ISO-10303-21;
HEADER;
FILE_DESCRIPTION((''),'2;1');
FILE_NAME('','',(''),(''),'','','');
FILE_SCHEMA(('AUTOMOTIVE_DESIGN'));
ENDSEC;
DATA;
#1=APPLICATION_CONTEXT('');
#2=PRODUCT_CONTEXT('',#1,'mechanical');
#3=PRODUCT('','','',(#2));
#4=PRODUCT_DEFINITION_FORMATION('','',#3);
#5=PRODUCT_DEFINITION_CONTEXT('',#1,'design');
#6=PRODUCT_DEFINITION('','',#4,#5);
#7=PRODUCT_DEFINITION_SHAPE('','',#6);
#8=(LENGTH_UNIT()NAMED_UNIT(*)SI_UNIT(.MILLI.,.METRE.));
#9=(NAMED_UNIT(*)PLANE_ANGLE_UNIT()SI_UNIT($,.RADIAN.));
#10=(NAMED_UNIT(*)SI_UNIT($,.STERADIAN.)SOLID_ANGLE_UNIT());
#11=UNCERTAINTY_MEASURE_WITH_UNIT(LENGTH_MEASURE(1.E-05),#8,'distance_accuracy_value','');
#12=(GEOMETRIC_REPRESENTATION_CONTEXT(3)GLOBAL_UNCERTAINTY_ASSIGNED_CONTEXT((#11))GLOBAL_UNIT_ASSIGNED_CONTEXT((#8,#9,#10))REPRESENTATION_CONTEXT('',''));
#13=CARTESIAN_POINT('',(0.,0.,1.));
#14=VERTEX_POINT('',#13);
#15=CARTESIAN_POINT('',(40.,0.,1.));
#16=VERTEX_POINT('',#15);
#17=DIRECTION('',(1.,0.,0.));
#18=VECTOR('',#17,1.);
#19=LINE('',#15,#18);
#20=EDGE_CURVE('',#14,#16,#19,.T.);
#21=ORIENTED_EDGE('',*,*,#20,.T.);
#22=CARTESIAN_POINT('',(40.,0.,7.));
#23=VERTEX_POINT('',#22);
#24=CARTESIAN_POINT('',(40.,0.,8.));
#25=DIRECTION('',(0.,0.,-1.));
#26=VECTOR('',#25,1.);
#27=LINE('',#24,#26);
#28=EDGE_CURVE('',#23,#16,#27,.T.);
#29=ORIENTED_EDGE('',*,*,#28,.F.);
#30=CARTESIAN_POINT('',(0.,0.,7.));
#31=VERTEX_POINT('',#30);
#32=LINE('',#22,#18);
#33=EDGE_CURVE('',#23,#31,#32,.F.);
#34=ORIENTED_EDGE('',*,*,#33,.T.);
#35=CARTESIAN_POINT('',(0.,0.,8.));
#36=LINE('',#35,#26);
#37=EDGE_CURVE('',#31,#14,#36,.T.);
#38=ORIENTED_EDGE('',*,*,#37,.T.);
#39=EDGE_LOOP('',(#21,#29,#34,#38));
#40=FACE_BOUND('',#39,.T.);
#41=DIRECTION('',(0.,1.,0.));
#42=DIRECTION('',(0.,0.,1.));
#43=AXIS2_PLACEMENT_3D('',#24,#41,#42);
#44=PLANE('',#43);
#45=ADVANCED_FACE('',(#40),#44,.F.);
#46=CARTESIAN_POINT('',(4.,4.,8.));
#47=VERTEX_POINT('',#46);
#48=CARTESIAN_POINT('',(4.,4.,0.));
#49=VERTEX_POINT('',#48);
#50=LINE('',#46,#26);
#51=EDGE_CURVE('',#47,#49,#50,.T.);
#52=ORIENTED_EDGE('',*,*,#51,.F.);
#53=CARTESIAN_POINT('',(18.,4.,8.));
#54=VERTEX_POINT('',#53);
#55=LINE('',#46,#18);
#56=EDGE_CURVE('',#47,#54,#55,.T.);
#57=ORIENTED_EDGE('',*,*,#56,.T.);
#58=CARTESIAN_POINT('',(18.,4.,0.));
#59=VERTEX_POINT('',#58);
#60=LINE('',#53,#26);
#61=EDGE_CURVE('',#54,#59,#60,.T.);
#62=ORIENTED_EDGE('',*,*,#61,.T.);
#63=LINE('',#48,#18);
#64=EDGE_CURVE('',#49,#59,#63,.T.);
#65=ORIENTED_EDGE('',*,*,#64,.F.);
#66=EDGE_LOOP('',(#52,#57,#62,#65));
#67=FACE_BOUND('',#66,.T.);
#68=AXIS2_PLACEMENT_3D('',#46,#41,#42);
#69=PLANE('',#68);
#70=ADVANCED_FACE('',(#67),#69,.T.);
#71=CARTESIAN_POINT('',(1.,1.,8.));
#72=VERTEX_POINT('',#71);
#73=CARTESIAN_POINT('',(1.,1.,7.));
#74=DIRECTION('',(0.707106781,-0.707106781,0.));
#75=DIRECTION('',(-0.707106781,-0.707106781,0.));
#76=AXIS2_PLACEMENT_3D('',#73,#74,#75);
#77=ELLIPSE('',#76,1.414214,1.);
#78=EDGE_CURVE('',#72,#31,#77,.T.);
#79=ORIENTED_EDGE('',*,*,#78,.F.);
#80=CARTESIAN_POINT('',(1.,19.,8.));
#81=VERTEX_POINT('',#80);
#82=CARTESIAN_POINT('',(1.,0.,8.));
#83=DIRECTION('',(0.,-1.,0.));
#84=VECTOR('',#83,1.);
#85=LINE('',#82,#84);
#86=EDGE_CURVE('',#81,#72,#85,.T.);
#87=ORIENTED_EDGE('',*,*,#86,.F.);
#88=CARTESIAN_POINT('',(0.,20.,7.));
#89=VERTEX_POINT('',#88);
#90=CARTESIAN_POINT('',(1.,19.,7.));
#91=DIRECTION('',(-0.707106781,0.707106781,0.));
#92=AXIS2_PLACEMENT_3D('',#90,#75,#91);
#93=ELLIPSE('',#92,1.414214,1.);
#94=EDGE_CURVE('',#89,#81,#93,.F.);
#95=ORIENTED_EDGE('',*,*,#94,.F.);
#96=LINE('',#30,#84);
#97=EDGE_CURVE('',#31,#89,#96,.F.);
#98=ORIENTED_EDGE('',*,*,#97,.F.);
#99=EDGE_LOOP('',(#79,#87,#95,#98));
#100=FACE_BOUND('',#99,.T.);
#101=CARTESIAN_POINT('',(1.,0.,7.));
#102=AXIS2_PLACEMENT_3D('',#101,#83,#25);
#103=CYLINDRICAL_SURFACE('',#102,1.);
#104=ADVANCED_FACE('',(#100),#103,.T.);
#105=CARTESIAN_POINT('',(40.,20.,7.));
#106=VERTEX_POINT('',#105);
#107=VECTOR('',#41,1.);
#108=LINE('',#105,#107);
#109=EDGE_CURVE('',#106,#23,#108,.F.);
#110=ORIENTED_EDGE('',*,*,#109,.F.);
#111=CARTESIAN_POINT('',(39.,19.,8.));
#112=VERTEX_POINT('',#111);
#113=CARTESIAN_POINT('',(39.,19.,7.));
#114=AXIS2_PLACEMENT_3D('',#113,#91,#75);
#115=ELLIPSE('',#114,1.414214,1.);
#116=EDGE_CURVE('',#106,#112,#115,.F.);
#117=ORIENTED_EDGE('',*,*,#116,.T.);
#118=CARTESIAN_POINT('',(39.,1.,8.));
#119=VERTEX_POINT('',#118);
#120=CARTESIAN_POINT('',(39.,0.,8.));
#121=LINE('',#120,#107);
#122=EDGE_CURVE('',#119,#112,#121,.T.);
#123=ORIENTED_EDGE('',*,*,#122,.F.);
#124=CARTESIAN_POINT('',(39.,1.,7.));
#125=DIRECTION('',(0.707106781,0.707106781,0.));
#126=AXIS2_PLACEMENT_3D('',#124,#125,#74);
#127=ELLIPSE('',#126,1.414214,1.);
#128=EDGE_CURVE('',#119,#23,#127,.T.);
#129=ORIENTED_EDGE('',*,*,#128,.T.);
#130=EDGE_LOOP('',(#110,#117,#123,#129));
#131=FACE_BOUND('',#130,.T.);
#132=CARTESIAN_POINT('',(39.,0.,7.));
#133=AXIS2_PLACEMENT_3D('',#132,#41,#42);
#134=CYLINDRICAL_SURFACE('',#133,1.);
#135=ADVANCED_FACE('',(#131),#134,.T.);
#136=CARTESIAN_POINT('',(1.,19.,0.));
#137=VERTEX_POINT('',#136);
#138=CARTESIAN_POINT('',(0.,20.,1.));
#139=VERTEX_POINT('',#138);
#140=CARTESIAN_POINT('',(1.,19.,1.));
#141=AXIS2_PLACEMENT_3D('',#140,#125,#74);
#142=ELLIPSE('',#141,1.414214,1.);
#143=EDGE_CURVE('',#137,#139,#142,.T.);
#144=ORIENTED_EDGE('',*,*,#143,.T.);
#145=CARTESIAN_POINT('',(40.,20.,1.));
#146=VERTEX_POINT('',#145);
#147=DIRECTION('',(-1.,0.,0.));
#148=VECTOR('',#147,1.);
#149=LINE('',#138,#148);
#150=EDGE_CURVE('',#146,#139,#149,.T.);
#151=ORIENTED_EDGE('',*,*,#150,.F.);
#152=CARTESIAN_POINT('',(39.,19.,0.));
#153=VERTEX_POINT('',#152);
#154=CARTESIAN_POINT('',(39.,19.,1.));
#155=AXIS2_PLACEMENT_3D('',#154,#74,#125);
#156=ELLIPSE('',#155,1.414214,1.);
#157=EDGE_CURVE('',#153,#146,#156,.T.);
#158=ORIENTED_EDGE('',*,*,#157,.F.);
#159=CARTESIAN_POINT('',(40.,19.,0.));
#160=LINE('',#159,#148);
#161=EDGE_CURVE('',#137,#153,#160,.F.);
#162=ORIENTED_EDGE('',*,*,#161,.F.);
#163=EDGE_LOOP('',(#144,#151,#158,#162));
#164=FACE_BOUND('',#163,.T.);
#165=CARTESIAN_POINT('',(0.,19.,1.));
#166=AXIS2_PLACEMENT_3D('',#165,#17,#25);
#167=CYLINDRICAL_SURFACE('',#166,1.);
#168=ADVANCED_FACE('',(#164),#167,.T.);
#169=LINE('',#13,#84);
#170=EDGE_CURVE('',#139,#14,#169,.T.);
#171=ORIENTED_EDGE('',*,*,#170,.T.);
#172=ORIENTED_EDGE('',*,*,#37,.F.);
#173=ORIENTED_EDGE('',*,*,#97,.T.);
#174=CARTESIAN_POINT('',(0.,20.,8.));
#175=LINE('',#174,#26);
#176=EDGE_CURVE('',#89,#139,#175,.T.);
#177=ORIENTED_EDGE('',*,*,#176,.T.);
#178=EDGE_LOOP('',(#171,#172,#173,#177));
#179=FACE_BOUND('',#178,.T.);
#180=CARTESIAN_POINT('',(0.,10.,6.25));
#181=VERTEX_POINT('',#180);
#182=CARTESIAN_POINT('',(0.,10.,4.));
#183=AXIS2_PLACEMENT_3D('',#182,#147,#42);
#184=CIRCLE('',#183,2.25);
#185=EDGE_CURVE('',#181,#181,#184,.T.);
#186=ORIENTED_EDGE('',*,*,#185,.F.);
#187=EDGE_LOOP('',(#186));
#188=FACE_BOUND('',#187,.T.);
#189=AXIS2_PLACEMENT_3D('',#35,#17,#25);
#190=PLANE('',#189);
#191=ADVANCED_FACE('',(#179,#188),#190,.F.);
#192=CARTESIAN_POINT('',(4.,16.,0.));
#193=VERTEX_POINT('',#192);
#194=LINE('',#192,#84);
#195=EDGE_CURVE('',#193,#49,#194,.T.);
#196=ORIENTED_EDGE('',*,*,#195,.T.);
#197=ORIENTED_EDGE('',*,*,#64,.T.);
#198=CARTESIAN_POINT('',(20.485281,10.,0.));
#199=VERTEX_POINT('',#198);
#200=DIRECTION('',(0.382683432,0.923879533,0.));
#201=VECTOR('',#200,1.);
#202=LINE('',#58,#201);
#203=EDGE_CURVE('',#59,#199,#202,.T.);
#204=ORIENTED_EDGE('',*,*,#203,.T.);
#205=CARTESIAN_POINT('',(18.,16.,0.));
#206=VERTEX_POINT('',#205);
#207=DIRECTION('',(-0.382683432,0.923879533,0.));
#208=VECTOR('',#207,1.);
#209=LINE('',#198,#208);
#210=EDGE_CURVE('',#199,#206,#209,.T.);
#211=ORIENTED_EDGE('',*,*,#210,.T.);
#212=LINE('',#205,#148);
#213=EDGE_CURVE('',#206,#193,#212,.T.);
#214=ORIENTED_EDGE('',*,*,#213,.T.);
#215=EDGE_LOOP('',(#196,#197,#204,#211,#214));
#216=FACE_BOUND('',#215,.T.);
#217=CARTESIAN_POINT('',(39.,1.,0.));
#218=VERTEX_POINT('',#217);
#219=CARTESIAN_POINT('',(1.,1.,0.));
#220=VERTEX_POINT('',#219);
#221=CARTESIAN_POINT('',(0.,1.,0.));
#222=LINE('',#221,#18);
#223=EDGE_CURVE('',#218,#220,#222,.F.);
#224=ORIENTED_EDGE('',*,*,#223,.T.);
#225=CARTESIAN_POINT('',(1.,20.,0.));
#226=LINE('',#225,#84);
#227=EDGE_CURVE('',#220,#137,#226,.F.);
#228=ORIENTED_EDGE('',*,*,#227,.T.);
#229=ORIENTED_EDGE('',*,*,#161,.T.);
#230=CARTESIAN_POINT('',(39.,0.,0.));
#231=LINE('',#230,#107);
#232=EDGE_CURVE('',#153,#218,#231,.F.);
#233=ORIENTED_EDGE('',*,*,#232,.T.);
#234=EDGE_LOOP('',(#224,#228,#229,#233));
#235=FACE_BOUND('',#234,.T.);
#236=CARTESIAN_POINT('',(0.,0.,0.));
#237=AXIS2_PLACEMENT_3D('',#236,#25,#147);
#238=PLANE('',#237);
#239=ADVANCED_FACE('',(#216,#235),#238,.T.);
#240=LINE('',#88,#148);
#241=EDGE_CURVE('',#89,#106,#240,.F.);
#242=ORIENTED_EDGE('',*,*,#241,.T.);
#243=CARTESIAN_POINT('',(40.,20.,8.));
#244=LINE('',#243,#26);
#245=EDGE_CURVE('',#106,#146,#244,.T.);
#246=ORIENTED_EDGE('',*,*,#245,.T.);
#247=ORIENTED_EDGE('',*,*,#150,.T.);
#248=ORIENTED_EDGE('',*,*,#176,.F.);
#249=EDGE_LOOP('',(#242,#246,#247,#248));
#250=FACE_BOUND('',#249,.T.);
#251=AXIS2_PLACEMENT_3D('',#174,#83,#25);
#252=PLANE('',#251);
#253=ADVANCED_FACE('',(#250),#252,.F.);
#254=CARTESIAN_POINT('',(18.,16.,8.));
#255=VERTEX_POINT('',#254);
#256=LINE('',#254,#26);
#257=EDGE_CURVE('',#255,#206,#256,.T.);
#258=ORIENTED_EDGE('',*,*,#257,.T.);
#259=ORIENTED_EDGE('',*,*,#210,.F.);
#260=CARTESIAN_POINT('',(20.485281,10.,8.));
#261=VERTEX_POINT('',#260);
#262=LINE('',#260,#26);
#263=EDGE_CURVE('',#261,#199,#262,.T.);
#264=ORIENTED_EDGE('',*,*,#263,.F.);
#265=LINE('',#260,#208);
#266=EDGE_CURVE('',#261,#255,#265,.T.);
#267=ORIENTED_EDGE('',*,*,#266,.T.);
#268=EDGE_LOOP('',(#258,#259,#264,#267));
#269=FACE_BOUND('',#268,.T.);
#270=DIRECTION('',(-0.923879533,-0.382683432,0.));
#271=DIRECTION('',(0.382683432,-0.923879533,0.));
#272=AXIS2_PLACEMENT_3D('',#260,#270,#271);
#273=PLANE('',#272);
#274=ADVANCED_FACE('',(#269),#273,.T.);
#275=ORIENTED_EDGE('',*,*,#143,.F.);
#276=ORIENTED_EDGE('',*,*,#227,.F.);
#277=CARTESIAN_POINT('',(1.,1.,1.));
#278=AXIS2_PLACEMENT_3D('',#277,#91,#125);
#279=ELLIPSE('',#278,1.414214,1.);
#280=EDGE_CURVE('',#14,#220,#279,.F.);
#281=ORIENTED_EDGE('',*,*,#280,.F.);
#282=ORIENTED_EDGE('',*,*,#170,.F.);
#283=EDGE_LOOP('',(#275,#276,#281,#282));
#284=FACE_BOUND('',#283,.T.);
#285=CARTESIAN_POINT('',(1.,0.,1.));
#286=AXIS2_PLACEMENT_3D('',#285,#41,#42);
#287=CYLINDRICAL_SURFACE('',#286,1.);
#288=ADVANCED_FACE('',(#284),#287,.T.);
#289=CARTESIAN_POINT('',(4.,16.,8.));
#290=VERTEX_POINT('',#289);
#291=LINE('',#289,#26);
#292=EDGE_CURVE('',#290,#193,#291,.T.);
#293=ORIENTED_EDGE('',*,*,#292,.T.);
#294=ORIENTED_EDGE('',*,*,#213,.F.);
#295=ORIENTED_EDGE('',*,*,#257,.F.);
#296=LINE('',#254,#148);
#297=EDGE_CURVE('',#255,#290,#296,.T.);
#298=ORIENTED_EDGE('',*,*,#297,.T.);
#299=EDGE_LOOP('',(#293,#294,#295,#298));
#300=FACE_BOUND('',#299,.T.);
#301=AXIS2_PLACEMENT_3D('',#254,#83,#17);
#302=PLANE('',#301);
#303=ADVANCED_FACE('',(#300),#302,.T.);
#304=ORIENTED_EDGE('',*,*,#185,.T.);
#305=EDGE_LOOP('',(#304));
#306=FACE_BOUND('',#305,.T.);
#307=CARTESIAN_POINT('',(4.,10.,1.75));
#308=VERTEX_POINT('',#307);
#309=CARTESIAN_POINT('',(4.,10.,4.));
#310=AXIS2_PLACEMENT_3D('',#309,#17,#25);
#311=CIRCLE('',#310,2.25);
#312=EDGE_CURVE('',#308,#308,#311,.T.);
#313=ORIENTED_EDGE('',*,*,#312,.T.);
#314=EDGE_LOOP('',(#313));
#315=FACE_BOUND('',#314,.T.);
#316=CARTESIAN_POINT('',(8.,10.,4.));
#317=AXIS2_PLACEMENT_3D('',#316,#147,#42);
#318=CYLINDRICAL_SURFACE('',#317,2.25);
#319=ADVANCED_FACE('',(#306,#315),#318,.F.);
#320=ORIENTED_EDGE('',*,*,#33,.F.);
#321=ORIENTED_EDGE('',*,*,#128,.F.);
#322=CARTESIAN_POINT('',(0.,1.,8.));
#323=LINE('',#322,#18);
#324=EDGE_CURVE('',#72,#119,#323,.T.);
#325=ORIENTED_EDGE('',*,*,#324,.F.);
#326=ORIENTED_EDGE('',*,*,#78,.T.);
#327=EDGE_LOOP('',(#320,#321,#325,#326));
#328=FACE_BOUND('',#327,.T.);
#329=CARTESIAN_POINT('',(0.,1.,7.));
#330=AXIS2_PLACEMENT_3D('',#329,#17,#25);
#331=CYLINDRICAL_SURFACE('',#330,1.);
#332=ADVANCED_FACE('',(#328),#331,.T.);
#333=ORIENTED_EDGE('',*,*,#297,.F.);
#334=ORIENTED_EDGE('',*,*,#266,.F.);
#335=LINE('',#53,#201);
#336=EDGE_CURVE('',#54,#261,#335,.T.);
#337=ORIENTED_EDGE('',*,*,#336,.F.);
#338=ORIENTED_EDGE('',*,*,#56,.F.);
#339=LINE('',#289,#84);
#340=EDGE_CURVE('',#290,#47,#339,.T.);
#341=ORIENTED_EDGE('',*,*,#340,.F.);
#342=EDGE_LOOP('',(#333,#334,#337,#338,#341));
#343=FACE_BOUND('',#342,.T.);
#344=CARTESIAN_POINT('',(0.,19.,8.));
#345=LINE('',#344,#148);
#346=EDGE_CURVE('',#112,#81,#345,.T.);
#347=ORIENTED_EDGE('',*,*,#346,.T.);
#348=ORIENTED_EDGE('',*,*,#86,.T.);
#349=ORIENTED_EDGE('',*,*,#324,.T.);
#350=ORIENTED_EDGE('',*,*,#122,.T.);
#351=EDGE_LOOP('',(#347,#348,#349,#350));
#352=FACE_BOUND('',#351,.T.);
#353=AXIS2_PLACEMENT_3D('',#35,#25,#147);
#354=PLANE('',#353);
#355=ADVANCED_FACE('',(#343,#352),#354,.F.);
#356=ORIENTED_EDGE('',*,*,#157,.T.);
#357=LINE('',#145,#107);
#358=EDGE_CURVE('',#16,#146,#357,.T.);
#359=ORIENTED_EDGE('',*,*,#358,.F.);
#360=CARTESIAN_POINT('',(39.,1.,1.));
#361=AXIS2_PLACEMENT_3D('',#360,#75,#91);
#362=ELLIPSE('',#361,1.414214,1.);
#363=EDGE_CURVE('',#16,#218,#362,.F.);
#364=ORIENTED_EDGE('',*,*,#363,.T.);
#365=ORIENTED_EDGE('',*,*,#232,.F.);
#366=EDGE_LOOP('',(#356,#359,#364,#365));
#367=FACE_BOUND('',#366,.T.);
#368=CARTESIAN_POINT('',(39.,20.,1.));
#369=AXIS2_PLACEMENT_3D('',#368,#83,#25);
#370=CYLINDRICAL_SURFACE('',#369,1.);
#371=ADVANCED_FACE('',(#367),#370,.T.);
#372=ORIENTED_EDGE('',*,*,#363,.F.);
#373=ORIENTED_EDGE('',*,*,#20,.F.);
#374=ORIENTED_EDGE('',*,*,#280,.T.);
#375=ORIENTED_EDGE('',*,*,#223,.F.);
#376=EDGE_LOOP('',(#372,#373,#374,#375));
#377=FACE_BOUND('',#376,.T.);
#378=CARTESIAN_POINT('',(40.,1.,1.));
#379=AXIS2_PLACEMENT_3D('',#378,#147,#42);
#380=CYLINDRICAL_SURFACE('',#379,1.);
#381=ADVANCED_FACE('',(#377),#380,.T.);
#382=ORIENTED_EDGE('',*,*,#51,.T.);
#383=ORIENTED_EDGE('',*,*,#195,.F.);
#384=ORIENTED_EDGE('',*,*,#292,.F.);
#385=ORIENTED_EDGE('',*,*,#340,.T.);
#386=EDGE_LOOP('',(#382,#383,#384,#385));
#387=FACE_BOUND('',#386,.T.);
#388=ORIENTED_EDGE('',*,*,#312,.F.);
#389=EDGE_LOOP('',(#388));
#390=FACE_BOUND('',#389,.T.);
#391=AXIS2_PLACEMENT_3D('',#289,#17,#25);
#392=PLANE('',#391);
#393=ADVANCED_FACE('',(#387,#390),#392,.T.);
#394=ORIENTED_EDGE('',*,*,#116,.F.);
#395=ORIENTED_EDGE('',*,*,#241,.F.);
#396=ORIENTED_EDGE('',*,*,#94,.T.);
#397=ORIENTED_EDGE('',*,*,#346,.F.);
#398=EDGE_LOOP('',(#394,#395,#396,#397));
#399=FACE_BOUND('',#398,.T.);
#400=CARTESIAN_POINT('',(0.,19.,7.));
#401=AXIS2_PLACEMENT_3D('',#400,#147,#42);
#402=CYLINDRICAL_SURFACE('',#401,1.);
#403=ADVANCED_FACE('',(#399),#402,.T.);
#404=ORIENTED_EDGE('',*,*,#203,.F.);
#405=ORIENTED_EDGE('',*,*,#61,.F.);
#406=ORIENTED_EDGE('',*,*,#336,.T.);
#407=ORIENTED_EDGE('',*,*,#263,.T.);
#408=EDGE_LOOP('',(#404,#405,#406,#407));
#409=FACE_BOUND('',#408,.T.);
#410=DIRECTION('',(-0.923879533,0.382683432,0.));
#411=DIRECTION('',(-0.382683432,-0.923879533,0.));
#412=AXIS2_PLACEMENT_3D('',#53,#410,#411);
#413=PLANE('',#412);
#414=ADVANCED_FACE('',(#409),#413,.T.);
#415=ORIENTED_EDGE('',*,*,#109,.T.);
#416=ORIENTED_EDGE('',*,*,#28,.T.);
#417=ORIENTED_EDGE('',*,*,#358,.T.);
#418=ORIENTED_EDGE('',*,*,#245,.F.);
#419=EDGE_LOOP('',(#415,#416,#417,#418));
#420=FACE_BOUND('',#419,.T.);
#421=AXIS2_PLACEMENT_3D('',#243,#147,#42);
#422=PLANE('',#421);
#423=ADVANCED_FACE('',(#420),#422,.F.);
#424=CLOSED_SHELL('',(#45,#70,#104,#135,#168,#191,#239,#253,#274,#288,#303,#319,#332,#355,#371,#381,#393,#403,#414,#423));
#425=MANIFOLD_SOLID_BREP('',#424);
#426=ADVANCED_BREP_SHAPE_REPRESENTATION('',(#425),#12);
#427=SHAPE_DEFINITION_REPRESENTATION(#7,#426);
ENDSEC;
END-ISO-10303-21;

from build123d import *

# Parameters (mm, degrees)
SKICA1_W                 = 40
SKICA1_H                 = 20
P_IDAT_VYSUNUT_M1_DEPTH  = 8
SKICA2_R                 = 2.25
ODEBRAT_VYSUNUT_M1_DEPTH = 8
ZAOBLIT2_R               = 1
ZAOBLIT3_R               = 1


with BuildPart() as part:
    # Skica1 → Přidat vysunutím1 (new body)
    with BuildSketch(Plane.XY):
        with Locations((20, 10)):
            Rectangle(SKICA1_W, SKICA1_H)
        Polygon((4, 16), (4, 4), (18, 4), (20.485281374, 10), (18, 16), align=None, mode=Mode.SUBTRACT)
    extrude(amount=P_IDAT_VYSUNUT_M1_DEPTH)

    # Skica2 → Odebrat vysunutím1 (cut)
    with BuildSketch(Plane.ZY):
        with Locations((4, 10)):
            Circle(SKICA2_R)
    extrude(amount=-ODEBRAT_VYSUNUT_M1_DEPTH, mode=Mode.SUBTRACT)

    # Zaoblit2
    zaoblit2_edges = [part.edges().sort_by_distance(p)[0] for p in [
        (20, 20, 8),
        (0, 10, 8),
        (20, 0, 8),
        (40, 10, 8),
    ]]
    fillet(zaoblit2_edges, radius=ZAOBLIT2_R)

    # Zaoblit3
    zaoblit3_edges = [part.edges().sort_by_distance(p)[0] for p in [
        (0, 10, 0),
        (20, 20, 0),
        (40, 10, 0),
        (20, 0, 0),
    ]]
    fillet(zaoblit3_edges, radius=ZAOBLIT3_R)


solid = part.part
